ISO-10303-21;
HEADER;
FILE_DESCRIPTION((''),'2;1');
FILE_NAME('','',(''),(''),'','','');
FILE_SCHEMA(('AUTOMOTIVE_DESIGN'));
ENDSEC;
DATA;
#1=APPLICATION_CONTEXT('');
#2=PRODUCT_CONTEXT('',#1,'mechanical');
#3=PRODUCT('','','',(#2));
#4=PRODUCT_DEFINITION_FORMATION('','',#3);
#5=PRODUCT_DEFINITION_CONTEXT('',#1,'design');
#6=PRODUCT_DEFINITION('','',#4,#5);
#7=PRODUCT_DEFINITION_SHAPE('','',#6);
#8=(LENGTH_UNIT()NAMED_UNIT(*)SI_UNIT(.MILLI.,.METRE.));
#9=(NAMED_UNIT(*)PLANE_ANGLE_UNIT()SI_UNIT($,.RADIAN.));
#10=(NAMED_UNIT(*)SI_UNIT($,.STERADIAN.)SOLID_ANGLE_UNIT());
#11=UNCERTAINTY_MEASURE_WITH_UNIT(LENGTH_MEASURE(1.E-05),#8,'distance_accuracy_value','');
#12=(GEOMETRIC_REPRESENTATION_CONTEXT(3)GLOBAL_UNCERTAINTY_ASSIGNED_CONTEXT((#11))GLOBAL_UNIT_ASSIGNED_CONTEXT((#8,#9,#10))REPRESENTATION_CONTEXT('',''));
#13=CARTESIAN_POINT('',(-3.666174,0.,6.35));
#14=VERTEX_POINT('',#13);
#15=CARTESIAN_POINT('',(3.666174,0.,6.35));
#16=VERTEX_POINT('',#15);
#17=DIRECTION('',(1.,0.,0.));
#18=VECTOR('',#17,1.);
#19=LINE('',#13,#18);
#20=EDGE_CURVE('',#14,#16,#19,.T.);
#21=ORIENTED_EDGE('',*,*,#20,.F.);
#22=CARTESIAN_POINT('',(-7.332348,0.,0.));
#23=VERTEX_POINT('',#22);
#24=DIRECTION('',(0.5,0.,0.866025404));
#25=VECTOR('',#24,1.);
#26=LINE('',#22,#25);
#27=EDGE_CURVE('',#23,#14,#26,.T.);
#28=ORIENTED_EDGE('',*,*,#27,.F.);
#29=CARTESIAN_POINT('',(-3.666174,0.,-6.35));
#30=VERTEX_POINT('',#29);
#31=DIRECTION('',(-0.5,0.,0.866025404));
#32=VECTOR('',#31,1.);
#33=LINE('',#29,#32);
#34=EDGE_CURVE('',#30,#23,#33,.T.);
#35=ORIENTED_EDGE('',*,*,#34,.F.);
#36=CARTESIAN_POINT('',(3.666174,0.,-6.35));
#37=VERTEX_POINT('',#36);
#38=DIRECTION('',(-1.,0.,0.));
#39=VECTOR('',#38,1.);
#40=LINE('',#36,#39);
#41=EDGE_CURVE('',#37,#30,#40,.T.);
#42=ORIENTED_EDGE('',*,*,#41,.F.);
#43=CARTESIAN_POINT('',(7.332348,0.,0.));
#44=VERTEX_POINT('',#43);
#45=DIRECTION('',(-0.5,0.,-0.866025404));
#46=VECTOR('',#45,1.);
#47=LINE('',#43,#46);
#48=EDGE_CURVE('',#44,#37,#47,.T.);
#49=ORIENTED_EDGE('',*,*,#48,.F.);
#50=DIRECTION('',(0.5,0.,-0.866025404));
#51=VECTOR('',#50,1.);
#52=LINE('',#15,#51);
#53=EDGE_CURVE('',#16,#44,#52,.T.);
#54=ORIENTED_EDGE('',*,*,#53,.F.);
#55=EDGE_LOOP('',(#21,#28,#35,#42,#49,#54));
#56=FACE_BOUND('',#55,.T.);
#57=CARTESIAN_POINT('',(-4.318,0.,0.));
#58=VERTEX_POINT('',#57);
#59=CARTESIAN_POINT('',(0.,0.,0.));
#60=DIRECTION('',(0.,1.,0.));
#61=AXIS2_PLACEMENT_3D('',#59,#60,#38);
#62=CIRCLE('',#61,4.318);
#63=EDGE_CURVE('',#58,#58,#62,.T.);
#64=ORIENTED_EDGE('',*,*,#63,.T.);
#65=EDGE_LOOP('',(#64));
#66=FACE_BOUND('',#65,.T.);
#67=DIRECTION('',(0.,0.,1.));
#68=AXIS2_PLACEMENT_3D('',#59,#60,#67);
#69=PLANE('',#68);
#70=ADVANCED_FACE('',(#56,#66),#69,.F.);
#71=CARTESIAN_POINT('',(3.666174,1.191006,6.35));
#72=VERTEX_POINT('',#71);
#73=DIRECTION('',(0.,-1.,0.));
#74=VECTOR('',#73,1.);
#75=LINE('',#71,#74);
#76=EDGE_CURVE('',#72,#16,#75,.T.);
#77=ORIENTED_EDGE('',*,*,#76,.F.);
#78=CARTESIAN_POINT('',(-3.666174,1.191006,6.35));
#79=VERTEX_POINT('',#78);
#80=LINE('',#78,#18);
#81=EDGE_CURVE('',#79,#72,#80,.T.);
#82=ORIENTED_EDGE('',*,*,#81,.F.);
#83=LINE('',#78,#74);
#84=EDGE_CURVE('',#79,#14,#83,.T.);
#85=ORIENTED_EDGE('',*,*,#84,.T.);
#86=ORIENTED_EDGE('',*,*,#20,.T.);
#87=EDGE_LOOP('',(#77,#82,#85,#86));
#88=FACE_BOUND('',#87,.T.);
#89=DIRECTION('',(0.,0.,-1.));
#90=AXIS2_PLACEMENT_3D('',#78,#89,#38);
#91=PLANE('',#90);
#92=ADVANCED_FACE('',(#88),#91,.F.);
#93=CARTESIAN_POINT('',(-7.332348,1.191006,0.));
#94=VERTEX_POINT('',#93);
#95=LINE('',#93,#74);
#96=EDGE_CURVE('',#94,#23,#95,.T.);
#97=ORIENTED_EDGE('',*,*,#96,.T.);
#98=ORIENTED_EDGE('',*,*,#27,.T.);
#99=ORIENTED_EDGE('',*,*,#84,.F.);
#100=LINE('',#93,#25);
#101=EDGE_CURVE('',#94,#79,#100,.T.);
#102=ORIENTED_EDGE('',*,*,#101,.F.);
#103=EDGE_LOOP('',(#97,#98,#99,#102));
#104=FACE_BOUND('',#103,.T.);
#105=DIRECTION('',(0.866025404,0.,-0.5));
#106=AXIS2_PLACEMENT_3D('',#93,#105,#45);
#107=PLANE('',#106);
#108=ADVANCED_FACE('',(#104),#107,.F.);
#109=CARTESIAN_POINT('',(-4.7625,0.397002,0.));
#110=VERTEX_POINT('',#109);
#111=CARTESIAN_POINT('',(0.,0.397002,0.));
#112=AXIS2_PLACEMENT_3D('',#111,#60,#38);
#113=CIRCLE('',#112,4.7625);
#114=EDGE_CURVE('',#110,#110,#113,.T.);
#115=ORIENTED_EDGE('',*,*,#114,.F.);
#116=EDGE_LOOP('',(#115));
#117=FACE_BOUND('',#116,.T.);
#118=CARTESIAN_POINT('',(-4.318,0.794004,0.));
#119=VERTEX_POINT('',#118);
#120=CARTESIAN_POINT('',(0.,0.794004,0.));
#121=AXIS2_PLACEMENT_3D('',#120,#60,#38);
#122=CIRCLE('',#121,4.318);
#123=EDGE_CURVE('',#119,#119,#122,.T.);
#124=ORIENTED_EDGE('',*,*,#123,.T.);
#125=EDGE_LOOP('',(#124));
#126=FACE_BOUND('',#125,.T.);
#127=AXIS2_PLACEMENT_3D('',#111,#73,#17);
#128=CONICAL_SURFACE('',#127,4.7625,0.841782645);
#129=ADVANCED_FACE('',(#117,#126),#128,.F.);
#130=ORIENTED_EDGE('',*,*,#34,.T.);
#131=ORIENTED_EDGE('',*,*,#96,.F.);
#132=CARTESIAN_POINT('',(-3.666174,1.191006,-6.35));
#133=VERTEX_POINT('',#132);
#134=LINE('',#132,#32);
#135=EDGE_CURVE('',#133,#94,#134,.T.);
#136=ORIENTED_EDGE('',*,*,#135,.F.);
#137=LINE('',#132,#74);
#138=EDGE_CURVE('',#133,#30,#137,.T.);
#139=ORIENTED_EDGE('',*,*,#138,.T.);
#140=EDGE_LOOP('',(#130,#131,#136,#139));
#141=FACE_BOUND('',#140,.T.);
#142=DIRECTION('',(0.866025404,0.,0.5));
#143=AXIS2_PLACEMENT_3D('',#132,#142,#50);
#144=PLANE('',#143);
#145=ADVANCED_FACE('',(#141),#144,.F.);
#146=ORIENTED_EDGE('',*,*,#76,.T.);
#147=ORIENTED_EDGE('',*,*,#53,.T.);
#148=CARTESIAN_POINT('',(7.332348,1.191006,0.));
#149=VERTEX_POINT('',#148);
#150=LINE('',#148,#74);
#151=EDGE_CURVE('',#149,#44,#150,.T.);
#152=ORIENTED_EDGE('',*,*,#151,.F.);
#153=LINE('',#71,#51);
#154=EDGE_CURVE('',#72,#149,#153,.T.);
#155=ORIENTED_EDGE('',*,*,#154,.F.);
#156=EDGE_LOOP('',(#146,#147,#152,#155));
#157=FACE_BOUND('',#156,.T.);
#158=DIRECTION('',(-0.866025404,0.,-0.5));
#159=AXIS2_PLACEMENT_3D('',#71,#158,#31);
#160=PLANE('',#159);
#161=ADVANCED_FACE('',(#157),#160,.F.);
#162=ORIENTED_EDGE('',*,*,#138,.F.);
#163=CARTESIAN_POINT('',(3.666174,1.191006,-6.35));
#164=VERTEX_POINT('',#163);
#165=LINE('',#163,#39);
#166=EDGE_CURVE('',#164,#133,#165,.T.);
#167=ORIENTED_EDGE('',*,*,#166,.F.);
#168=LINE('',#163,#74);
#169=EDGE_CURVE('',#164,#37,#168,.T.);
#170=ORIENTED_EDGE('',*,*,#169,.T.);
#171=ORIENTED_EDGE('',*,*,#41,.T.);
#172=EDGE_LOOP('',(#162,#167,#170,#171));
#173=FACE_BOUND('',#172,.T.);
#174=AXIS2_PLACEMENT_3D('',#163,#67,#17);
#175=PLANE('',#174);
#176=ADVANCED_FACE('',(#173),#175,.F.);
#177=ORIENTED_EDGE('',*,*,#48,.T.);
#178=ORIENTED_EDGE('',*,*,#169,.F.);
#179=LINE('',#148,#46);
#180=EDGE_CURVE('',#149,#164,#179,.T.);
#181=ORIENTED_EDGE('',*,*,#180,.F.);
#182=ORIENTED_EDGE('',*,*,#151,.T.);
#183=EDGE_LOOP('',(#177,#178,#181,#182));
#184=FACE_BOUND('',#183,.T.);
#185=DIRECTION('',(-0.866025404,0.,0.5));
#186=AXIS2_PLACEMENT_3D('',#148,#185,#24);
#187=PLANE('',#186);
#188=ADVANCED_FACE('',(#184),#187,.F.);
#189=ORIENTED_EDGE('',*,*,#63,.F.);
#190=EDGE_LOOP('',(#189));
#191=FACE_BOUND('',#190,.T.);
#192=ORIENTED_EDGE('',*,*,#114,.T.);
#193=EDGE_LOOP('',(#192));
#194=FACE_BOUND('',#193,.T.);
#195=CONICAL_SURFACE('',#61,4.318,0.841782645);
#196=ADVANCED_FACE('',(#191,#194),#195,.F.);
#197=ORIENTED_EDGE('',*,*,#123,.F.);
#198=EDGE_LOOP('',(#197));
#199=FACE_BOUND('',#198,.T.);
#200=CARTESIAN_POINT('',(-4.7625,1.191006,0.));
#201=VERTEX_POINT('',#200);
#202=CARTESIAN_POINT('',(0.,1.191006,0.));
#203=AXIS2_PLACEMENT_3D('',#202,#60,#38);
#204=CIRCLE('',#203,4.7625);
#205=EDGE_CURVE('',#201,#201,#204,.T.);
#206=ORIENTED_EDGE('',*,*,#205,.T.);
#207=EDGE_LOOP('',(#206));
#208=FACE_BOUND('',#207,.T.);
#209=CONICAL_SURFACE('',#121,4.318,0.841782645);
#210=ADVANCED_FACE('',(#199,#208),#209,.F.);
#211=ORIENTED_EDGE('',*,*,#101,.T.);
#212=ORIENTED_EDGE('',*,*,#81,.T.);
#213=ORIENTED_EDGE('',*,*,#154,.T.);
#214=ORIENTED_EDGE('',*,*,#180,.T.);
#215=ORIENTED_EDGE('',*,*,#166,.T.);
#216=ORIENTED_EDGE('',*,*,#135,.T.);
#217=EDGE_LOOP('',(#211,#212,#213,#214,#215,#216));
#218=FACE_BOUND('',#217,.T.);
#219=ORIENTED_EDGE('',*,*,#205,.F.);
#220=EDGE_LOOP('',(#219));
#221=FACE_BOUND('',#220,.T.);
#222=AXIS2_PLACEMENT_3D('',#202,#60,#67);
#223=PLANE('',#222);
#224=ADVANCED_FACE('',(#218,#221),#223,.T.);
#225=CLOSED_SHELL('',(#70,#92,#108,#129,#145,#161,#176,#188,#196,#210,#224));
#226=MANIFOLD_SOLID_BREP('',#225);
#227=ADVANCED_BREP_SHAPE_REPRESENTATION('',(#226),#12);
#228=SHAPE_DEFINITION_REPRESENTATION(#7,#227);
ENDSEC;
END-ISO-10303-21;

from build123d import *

# Parameters (mm, degrees)
SKETCH1_R           = 4.318
BOSS_EXTRUDE1_DEPTH = 1.191006


with BuildPart() as part:
    # Sketch1 → Boss-Extrude1 (new body)
    with BuildSketch(Plane(origin=(0, 0, 0), x_dir=(1, 0, 0), z_dir=(0, 1, 0))):
        Polygon((7.332348419, 0), (3.666174209, 6.35), (-3.666174209, 6.35), (-7.332348419, 0), (-3.666174209, -6.35), (3.666174209, -6.35), align=None)
        with Locations(Location((0, 0, 0), (0, 0, 270))):
            Circle(SKETCH1_R, mode=Mode.SUBTRACT)
    extrude(amount=BOSS_EXTRUDE1_DEPTH)

    # Sketch2 → Cut-Revolve1 (revolve, cut)
    with BuildSketch(Plane.XY, mode=Mode.PRIVATE) as cut_revolve1_sk:
        Polygon((4.7625, 1.191006), (4.318, 0.794004), (4.7625, 0.397002), (4.318, 0), (0, 0), (0, 1.191006), align=None)
    revolve(cut_revolve1_sk.sketch.rotate(Axis((0, 1.191006, 0), (0, -1, 0)), 180), axis=Axis((0, 1.191006, 0), (0, -1, 0)), mode=Mode.SUBTRACT)


solid = part.part
